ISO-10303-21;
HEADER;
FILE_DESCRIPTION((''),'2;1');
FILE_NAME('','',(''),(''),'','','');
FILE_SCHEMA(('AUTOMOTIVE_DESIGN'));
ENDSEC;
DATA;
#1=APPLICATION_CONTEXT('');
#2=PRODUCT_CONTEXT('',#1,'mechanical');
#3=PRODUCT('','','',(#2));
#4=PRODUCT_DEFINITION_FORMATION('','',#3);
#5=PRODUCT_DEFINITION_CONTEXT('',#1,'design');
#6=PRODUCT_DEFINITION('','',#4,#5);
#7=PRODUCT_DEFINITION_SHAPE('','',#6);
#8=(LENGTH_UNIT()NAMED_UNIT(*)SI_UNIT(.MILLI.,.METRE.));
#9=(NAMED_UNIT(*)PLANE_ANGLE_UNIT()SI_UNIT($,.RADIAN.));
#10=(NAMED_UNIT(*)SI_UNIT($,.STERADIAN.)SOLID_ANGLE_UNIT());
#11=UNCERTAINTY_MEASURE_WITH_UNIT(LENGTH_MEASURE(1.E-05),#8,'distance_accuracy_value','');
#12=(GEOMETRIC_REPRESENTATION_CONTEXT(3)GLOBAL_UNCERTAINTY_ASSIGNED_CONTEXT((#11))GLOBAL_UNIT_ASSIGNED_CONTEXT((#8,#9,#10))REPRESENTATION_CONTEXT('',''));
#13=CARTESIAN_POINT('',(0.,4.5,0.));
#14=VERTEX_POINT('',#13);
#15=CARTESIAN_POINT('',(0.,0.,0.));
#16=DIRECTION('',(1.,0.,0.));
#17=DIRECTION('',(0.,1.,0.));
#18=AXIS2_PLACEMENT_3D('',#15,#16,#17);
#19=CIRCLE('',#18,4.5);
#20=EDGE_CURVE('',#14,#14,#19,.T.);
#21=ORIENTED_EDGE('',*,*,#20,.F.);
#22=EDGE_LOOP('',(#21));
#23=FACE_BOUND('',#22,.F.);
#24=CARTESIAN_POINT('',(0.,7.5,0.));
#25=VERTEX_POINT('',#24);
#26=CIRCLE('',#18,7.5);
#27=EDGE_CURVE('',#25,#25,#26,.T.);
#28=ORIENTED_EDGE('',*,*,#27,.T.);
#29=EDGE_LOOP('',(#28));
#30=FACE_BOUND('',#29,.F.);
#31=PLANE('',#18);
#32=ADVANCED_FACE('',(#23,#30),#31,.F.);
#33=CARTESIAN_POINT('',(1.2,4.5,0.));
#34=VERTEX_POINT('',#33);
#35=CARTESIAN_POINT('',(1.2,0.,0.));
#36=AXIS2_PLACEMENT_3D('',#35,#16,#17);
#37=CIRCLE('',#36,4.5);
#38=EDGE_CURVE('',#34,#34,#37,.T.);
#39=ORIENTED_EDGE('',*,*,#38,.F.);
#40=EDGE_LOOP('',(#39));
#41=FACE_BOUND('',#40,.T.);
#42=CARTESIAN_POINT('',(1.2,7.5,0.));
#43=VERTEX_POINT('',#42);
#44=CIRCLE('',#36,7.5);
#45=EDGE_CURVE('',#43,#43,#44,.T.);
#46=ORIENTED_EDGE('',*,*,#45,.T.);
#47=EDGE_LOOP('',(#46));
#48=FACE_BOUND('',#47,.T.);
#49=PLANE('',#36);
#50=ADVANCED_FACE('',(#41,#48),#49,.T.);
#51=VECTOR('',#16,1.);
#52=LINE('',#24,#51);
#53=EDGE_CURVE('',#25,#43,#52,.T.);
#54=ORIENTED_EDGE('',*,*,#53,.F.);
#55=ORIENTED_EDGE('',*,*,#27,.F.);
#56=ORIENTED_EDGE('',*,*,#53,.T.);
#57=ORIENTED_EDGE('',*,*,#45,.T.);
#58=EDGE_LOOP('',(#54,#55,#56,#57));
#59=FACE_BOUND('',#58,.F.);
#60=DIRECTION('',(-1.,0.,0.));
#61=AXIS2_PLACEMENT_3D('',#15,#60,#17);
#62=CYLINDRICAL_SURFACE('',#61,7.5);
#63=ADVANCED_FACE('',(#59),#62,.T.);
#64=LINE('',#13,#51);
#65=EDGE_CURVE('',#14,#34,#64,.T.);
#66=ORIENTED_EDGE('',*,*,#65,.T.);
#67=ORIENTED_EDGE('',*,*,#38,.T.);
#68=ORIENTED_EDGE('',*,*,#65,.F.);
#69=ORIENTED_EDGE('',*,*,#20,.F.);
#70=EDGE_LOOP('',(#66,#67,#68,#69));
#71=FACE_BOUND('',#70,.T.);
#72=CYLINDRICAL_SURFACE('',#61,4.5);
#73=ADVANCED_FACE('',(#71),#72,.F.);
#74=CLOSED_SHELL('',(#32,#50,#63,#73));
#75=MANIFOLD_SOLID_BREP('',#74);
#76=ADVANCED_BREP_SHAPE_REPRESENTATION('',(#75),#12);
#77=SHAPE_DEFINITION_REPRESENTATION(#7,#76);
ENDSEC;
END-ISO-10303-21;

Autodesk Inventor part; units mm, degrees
ref_plane "YZ Plane" through (0, 0, 0) normal (1, 0, 0) x (0, 1, 0)
ref_plane "XZ Plane" through (0, 0, 0) normal (0, 1, 0) x (-1, 0, 0)
sketch "Sketch" plane through (0, 0, 0) normal (1, 0, 0) x (0, 1, 0)
  circle A0 centre (0, 0) radius 7.5
  circle A1 centre (0, 0) radius 4.5
  dimension "d0" = 9
  dimension "d1" = 15
extrude "Body" add sketch "Sketch" along normal blind 1.2
ref_plane "Work Plane1" through (0, 0, 0) normal (0, 0, 1) x (1, 0, 0)
equation "\"d0\" = SD1"
equation "\"d1\" = SD2"
equation "\"d2\" = SD"
equation "\"SD1\" = 9"
equation "\"SD2\" = 15"
equation "\"SD\" = 1.2"
equation "\"NND\" = 9"
equation "\"NND2\" = 15"
properties part number "DIN 988 - S9 x 15" material "Steel, Mild"
